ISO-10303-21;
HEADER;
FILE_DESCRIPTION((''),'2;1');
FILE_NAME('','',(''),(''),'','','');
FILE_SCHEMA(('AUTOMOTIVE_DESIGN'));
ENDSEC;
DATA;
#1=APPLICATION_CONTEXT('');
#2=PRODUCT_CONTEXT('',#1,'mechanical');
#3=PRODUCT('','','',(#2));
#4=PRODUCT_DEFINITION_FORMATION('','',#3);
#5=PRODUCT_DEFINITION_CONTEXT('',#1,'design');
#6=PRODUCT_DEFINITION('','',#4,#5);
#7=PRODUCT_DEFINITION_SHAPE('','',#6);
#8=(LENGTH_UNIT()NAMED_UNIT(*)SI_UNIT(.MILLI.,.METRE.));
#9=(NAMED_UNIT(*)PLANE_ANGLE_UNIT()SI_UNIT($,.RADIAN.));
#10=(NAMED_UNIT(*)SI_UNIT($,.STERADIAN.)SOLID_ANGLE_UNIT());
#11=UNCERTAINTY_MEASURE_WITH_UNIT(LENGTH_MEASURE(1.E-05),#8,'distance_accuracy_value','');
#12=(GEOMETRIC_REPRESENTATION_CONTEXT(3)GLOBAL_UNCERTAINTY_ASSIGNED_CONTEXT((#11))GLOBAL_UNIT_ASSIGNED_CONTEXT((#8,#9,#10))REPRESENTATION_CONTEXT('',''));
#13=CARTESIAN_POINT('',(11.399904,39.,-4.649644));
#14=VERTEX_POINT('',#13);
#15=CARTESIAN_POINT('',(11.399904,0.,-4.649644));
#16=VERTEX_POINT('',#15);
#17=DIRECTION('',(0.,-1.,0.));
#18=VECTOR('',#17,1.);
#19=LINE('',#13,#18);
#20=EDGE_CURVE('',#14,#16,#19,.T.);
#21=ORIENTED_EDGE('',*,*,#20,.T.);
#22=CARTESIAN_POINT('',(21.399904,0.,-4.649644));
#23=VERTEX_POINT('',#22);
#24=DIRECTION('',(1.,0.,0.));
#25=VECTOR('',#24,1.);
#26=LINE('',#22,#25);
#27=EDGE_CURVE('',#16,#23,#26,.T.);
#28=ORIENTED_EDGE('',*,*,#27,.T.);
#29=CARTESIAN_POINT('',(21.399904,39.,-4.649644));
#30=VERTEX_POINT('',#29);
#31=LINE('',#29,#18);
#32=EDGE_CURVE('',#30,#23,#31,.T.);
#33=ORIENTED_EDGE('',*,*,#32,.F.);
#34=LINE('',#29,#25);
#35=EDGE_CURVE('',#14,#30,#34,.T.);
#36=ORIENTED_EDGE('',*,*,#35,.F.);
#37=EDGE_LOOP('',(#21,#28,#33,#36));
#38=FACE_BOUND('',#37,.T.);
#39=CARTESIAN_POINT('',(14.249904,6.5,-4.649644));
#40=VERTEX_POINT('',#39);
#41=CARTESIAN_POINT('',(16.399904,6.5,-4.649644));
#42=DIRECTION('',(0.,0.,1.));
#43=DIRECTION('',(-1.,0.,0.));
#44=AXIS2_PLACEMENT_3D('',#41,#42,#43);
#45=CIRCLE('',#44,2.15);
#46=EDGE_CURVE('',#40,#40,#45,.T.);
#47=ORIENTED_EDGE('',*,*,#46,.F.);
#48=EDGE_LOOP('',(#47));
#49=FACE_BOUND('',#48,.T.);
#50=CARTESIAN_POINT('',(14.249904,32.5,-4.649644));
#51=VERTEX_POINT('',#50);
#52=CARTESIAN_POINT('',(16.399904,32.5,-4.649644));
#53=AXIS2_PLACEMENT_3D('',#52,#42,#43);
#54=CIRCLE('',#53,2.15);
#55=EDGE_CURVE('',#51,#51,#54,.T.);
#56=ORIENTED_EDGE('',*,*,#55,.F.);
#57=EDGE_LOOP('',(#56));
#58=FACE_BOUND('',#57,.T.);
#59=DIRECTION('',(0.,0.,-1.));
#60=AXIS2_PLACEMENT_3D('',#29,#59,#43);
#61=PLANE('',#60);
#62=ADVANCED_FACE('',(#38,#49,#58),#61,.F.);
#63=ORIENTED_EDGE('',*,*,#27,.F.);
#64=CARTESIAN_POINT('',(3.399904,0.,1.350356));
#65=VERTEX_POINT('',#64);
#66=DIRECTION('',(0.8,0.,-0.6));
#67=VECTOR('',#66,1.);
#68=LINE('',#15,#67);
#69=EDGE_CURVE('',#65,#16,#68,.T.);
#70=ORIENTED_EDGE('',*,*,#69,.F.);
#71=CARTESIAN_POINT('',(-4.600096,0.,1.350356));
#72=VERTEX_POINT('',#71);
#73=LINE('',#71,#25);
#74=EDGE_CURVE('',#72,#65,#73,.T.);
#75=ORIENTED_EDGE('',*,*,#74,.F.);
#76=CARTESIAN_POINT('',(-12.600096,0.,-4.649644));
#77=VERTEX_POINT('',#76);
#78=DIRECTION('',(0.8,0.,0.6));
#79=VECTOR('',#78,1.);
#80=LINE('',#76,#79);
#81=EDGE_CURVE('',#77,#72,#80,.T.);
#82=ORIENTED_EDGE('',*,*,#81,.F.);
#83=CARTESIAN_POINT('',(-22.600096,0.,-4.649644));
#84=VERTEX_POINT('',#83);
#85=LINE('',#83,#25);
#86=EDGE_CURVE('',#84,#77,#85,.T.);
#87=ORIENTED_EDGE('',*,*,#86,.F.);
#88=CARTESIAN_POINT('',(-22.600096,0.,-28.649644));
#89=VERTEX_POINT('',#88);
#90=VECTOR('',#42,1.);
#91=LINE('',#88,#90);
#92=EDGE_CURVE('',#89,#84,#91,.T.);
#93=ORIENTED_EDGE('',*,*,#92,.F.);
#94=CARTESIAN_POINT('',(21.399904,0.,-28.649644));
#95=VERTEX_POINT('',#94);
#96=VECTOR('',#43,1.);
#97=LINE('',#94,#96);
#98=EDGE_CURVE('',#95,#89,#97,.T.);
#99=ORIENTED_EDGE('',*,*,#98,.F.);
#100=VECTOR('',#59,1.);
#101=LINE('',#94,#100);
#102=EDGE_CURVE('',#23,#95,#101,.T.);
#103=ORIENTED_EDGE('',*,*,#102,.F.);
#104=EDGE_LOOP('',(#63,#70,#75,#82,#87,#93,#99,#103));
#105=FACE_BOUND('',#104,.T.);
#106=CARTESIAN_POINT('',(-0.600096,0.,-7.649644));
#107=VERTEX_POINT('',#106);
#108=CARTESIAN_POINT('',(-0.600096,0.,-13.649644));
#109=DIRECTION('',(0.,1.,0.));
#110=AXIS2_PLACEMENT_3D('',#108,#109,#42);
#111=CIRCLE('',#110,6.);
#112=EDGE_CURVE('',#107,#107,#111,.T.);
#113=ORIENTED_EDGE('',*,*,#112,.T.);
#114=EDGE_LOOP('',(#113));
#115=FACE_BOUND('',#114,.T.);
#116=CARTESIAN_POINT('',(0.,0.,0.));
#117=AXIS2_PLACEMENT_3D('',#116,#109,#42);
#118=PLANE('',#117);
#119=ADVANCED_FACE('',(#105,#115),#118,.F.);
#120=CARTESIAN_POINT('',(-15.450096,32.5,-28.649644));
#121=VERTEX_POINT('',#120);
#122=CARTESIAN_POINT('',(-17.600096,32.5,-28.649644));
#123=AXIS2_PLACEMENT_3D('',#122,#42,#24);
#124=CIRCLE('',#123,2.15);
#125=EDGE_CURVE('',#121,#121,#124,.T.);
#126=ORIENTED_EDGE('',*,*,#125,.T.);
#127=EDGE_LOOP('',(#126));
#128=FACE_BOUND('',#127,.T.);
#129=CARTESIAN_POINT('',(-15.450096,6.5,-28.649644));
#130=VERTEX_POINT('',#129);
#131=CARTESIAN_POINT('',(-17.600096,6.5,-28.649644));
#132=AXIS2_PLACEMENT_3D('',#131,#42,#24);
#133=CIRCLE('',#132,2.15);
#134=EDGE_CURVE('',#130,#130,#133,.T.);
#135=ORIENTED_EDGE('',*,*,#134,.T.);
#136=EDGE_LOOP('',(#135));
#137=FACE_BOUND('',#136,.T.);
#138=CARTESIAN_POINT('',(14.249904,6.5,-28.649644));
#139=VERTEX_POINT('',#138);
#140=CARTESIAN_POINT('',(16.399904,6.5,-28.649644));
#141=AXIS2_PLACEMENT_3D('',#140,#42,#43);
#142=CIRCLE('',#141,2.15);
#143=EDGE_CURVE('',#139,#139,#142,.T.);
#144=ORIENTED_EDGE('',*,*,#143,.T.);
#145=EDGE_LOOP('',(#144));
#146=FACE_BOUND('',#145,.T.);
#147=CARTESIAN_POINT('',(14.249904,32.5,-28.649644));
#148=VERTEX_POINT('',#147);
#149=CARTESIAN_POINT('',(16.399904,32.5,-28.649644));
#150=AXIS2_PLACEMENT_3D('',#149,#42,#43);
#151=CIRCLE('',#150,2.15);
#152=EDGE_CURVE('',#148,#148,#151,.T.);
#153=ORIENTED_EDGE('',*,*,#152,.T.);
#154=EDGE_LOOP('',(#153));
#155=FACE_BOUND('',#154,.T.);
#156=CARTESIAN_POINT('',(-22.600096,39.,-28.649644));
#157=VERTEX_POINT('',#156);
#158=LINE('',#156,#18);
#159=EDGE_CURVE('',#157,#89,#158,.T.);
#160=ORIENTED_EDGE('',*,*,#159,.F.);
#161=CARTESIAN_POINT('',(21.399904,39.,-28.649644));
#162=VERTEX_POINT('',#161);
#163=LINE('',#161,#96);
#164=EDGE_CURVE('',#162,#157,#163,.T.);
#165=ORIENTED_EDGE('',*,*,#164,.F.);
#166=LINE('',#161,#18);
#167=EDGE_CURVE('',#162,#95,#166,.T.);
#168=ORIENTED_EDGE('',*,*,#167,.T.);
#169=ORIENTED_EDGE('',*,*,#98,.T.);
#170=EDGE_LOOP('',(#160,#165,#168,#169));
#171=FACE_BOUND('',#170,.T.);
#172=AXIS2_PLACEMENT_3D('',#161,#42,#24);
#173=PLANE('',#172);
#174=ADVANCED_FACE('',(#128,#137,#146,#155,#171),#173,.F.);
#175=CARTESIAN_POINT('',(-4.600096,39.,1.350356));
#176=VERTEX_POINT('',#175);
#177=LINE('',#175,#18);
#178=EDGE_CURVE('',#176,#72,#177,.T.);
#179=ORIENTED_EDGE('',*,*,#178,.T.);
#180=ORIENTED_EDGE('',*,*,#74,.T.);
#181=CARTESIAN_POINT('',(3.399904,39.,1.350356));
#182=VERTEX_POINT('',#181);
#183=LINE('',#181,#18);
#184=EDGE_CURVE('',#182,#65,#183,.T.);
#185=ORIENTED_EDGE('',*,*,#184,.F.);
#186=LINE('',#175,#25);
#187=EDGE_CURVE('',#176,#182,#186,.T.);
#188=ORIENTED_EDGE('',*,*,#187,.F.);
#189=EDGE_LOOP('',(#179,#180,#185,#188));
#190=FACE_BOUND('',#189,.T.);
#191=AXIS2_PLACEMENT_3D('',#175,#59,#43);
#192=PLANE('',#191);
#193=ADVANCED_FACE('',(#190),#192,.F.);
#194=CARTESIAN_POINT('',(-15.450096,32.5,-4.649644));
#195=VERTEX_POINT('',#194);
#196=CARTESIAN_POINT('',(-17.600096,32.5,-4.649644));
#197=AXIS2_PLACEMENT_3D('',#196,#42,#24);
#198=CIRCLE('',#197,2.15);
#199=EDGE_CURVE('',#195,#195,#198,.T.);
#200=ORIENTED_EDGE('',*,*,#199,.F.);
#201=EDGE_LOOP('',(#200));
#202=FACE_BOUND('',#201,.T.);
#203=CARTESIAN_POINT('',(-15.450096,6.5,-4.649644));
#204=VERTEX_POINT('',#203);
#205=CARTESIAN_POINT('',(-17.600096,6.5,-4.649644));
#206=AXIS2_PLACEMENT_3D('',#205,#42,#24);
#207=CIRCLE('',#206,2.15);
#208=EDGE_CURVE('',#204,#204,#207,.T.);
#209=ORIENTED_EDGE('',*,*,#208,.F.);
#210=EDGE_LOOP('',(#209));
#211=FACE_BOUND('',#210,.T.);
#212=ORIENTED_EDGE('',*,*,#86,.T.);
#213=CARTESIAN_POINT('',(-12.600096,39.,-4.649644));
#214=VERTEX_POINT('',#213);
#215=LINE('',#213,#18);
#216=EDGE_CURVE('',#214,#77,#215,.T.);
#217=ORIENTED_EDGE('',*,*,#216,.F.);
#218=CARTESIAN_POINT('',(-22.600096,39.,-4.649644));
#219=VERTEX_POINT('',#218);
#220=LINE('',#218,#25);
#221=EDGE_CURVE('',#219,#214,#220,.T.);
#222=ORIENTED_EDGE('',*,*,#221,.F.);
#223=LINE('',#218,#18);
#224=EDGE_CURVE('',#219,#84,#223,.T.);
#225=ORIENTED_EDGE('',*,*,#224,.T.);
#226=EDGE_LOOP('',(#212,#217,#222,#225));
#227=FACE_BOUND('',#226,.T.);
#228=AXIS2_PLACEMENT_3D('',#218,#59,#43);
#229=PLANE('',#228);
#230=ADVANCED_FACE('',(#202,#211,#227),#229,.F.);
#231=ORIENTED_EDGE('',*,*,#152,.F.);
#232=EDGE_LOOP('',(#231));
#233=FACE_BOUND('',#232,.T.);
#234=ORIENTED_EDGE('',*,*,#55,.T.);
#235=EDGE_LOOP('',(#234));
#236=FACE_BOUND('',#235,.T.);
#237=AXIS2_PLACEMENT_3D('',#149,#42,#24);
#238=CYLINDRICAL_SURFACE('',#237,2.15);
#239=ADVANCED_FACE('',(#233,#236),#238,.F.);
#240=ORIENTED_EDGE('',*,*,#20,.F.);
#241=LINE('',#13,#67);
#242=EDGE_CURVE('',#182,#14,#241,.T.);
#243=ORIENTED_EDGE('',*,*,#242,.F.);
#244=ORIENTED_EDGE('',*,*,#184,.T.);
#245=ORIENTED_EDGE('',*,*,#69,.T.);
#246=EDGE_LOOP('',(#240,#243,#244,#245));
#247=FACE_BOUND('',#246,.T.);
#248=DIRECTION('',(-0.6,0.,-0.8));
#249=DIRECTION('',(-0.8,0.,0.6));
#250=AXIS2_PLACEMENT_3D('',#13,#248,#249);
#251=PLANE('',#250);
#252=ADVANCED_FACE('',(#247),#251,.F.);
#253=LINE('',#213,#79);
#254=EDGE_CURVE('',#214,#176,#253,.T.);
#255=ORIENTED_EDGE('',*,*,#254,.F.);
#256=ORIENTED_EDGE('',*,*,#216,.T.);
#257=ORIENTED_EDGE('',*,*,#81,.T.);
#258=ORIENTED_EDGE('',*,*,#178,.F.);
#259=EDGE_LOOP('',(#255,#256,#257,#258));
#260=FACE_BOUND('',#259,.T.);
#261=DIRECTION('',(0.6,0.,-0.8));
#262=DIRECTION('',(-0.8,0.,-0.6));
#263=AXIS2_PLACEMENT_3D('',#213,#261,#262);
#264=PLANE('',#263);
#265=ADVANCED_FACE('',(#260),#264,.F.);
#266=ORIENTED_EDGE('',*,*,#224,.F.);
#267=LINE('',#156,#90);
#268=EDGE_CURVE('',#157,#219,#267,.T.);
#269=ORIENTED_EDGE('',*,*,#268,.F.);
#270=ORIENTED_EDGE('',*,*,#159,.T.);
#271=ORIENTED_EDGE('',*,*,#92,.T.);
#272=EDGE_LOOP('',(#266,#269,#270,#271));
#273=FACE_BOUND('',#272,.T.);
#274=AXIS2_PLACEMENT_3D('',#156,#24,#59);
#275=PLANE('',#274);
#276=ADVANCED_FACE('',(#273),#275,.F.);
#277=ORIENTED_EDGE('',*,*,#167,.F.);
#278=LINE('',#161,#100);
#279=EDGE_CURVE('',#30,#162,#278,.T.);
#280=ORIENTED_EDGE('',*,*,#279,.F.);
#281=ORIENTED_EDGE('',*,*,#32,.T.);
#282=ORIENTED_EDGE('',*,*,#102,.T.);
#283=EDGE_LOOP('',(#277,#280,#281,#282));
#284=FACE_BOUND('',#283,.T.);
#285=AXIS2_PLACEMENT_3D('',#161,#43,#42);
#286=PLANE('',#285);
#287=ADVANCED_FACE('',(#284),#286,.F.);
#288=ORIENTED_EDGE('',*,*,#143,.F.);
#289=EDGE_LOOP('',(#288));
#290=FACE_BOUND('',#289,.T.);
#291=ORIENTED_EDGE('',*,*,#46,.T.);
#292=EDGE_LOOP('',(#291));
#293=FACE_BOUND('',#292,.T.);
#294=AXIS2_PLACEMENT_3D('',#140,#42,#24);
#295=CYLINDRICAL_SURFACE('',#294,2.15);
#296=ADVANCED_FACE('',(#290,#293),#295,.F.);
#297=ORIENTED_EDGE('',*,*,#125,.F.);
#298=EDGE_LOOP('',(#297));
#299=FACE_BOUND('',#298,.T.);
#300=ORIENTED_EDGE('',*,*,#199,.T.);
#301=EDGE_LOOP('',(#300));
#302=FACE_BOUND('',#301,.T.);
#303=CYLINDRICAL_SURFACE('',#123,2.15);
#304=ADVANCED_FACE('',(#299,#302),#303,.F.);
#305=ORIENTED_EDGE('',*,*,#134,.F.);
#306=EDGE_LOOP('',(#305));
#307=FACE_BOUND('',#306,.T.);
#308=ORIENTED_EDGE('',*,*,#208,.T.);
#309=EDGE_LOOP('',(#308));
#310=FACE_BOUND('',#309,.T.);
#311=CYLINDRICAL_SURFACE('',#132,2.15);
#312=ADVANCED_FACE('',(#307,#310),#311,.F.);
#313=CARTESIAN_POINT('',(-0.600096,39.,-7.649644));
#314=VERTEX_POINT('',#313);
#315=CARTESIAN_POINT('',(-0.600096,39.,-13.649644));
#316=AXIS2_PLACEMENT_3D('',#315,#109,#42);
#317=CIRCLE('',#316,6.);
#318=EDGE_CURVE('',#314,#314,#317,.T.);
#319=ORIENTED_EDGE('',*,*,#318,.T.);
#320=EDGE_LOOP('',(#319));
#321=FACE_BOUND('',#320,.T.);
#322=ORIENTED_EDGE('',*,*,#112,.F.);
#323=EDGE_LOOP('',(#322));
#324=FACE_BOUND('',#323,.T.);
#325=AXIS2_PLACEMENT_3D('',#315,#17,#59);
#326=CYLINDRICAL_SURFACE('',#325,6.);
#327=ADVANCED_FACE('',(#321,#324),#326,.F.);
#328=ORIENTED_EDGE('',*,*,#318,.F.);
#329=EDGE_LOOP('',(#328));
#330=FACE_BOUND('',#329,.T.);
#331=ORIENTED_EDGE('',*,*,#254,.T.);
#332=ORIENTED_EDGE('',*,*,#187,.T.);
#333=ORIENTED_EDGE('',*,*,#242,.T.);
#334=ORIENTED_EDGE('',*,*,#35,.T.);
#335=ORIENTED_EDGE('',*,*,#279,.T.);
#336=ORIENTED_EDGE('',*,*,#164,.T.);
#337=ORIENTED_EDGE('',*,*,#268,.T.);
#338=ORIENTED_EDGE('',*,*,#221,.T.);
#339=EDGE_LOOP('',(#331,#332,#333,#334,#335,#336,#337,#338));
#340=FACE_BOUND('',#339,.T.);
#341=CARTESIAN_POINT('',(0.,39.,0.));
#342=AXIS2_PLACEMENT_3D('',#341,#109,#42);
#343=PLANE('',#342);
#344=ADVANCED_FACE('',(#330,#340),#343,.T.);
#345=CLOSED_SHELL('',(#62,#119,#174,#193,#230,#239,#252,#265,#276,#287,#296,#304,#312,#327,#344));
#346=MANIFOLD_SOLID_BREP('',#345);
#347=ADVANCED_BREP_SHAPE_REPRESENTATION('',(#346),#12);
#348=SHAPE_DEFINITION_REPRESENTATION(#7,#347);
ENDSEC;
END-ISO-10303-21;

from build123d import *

# Parameters (mm, degrees)
SKETCH1_R           = 6
BOSS_EXTRUDE1_DEPTH = 39
SKETCH2_R           = 2.15
CUT_EXTRUDE1_DEPTH  = 52.06627412


with BuildPart() as part:
    # Sketch1 → Boss-Extrude1 (new body)
    with BuildSketch(Plane(origin=(0, 0, 0), x_dir=(1, 0, 0), z_dir=(0, 1, 0))):
        Polygon((21.399903705, 28.649644043), (-22.600096295, 28.649644043), (-22.600096295, 4.649644043), (-12.600096295, 4.649644043), (-4.600096295, -1.350355957), (3.399903705, -1.350355957), (11.399903705, 4.649644043), (21.399903705, 4.649644043), align=None)
        with Locations(Location((-0.600096295, 13.649644043, 0), (0, 0, 270))):
            Circle(SKETCH1_R, mode=Mode.SUBTRACT)
    extrude(amount=BOSS_EXTRUDE1_DEPTH)

    # Sketch2 → Cut-Extrude1 (cut, through all)
    with BuildSketch(Plane.XY.offset(-4.649644043)):
        with Locations((-17.600096295, 32.5)):
            Circle(SKETCH2_R)
        with Locations((-17.600096295, 6.5)):
            Circle(SKETCH2_R)
        with Locations(Location((16.399903705, 6.5, 0), (0, 0, 180))):
            Circle(SKETCH2_R)
        with Locations(Location((16.399903705, 32.5, 0), (0, 0, 180))):
            Circle(SKETCH2_R)
    extrude(amount=-CUT_EXTRUDE1_DEPTH, mode=Mode.SUBTRACT)


solid = part.part
